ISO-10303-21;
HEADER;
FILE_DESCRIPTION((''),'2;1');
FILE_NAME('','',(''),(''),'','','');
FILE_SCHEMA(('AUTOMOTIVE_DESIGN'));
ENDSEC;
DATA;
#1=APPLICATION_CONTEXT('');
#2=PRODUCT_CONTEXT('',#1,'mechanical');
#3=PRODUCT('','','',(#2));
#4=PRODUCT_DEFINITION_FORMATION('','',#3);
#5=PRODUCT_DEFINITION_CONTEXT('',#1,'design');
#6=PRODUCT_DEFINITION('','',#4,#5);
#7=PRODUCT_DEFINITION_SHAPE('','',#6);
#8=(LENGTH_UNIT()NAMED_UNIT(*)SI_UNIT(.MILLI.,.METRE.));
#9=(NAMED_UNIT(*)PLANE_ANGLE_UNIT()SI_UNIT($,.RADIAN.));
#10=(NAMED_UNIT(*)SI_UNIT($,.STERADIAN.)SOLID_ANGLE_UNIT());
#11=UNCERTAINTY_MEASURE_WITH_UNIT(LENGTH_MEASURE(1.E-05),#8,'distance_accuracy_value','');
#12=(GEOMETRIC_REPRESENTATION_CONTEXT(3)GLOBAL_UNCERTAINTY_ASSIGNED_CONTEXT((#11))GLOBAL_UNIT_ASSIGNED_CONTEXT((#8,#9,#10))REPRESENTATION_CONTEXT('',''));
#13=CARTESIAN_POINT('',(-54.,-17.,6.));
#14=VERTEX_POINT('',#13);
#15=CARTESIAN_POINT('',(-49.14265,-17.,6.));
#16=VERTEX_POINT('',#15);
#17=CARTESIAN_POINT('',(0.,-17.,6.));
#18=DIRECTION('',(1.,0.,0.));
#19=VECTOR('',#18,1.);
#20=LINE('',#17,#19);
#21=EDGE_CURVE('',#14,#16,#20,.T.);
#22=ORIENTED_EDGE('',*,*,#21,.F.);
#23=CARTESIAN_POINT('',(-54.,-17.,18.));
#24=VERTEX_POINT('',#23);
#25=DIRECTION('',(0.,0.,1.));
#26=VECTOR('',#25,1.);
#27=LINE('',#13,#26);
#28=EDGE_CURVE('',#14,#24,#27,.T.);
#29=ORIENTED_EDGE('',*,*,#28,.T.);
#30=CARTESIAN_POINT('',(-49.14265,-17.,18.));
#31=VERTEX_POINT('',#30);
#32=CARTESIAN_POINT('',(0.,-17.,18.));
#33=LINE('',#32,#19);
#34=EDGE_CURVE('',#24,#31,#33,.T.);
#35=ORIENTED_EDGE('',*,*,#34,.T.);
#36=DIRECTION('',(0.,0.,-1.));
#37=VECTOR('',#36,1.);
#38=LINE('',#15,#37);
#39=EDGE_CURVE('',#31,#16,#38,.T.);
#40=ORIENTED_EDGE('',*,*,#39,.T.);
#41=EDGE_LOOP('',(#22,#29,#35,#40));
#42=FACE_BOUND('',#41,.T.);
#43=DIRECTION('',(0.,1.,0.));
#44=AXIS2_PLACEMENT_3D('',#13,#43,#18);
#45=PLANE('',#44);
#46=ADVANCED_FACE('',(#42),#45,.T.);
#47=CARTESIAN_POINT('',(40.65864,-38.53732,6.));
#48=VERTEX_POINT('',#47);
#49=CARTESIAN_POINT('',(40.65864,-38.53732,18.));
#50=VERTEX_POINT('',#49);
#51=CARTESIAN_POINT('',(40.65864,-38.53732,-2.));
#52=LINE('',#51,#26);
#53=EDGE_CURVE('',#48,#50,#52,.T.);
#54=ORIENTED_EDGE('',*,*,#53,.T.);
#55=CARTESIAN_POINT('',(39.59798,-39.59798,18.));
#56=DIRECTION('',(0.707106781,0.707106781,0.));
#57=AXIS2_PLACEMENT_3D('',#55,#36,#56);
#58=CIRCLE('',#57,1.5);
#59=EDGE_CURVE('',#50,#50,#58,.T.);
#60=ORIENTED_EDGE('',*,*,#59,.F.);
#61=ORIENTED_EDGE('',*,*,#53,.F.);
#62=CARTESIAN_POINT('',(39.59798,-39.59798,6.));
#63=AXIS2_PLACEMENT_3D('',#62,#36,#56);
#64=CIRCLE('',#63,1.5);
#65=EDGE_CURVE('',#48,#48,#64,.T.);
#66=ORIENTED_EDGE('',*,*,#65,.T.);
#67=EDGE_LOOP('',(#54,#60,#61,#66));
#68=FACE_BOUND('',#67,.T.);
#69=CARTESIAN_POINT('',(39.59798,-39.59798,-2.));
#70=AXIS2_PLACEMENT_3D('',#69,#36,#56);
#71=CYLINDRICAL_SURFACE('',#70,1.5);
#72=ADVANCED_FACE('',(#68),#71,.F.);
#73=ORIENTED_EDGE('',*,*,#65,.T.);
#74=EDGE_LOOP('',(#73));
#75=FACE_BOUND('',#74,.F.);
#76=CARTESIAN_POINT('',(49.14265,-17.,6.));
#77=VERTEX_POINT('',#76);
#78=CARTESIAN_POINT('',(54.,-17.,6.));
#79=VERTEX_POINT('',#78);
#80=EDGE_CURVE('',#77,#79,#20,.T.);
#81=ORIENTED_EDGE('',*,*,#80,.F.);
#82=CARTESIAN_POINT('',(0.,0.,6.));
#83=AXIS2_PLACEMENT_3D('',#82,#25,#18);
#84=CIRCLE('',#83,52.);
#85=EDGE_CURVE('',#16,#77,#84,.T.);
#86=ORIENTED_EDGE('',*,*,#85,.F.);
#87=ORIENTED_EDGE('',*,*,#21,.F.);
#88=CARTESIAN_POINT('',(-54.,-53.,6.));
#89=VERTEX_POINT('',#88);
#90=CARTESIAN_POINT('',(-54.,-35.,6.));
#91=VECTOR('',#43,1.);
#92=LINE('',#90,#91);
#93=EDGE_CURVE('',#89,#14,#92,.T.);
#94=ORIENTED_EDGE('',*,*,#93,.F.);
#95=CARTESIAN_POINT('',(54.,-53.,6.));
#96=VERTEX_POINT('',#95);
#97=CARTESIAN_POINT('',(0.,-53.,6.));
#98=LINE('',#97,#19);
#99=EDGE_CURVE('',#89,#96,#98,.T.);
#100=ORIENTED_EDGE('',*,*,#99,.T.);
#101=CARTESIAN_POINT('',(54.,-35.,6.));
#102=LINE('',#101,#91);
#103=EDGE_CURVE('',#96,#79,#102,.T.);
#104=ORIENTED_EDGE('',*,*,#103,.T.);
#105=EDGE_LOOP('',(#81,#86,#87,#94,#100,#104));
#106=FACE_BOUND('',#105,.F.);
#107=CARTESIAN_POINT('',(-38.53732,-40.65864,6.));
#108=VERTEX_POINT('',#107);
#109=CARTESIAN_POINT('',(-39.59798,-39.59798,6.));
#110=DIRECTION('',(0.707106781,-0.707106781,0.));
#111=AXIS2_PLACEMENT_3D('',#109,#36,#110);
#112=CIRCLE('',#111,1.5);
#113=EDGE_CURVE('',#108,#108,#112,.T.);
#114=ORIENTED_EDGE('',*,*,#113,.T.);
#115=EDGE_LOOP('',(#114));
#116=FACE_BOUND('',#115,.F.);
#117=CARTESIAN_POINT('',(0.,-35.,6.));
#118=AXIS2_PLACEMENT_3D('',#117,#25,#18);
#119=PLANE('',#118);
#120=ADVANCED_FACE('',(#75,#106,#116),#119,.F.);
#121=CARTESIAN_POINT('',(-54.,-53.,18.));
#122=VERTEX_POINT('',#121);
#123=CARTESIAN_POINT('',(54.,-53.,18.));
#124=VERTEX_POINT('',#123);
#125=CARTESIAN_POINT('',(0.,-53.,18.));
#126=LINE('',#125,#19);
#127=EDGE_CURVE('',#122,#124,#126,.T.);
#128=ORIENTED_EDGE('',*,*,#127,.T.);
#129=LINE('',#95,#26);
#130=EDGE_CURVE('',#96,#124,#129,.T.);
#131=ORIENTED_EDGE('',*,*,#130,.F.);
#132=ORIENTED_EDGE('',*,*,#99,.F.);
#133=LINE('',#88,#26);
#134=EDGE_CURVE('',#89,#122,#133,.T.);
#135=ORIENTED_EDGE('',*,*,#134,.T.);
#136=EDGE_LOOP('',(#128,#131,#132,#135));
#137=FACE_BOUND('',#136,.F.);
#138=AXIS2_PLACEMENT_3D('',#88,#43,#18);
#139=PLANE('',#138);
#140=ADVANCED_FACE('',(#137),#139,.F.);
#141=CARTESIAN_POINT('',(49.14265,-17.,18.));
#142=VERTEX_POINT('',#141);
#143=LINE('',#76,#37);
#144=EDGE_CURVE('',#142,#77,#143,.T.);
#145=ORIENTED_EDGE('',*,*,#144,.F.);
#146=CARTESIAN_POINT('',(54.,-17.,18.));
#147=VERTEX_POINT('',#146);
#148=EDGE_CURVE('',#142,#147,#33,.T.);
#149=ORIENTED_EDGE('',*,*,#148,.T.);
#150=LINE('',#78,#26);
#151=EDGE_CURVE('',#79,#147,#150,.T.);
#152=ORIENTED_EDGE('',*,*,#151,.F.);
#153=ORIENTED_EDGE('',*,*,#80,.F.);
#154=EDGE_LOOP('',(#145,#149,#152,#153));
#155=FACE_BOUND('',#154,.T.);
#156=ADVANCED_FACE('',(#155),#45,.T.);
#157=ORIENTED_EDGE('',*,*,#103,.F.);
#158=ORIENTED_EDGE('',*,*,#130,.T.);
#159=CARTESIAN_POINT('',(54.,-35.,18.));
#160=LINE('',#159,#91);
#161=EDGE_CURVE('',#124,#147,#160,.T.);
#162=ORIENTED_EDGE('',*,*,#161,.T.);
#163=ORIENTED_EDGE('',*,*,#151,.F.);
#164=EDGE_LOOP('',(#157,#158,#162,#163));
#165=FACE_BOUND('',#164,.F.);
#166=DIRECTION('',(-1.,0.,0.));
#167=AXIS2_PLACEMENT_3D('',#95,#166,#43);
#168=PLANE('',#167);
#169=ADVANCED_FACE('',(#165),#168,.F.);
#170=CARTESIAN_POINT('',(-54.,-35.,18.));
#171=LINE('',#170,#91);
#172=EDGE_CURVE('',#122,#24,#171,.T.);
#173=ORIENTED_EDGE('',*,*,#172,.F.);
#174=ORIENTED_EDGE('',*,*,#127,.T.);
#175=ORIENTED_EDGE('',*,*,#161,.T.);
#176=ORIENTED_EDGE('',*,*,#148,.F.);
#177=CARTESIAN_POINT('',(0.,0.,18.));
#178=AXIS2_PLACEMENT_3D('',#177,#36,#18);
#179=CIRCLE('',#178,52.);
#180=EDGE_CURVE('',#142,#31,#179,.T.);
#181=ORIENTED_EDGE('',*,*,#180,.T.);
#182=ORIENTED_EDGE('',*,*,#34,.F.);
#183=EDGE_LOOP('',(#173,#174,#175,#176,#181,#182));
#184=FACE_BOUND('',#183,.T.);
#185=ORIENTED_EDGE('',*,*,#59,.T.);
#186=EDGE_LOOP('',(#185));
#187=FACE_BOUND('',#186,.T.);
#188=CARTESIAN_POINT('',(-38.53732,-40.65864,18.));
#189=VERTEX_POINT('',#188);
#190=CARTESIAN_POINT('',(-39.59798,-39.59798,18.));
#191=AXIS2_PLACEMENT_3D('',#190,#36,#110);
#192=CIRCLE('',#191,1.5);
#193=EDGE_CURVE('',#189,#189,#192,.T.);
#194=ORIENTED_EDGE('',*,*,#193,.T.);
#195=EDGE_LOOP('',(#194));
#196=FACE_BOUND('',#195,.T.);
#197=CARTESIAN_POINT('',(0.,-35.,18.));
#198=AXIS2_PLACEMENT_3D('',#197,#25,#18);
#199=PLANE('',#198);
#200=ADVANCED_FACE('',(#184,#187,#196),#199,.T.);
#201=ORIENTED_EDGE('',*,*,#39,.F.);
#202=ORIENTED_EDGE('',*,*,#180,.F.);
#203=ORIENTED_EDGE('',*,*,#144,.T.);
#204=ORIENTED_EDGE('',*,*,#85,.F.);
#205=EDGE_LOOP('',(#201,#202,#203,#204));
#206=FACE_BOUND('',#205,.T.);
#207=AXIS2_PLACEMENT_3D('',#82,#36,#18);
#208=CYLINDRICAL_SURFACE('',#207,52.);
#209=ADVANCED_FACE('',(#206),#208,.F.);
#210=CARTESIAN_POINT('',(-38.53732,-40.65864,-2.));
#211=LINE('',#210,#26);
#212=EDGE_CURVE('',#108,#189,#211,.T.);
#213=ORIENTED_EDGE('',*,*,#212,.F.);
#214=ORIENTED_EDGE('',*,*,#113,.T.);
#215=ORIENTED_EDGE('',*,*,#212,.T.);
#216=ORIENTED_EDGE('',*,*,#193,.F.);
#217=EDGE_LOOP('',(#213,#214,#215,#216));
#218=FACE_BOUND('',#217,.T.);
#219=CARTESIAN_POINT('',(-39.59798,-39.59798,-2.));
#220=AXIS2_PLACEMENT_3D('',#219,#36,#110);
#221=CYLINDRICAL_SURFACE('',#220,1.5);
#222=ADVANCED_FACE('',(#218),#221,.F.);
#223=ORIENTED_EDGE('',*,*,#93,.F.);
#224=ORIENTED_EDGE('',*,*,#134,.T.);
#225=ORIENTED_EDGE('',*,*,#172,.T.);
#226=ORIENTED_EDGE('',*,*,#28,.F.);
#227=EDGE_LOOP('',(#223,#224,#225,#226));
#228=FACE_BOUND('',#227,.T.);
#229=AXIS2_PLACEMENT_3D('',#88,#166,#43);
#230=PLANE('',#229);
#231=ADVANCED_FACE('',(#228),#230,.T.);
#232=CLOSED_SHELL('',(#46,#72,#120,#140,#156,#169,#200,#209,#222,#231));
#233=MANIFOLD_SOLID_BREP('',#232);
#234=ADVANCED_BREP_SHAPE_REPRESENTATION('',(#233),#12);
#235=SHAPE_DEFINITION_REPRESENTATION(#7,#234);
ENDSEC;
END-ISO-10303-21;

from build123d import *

# Parameters (mm, degrees)
CYLINDER1525_R               = 1.5
CYLINDER1525_DEPTH           = 50
CYLINDER1525_PLACEMENT_ANGLE = 45
CYLINDER1508_R               = 1.5
CYLINDER1508_DEPTH           = 50
CYLINDER1508_PLACEMENT_ANGLE = 135
CYLINDER1511_R               = 1.5
CYLINDER1511_DEPTH           = 50
CYLINDER1521_R               = 1.5
CYLINDER1521_DEPTH           = 50
CYLINDER1521_PLACEMENT_ANGLE = 225
CYLINDER1514_R               = 1.5
CYLINDER1514_DEPTH           = 50
CYLINDER1505_R               = 1.5
CYLINDER1505_DEPTH           = 50
CYLINDER1505_PLACEMENT_ANGLE = 45
CYLINDER1519_R               = 1.5
CYLINDER1519_DEPTH           = 50
CYLINDER1516_R               = 52
CYLINDER1516_DEPTH           = 16
BOX524_W                     = 108
BOX524_H                     = 36
BOX524_DEPTH                 = 12


with BuildPart() as v_lec1525:
    # Cylinder1525 → Cylinder1525 (new body)
    with BuildSketch(Plane.XY):
        Circle(CYLINDER1525_R)
    extrude(amount=CYLINDER1525_DEPTH)


with BuildPart() as v_lec1525_1:
    # Cylinder1525 placement: moved
    add(v_lec1525.part.moved(Location((39.59798, -39.59798, 2))).rotate(Axis((39.59798, -39.59798, 2), (0, 0, 1)), CYLINDER1525_PLACEMENT_ANGLE))


with BuildPart() as v_lec1508:
    # Cylinder1508 → Cylinder1508 (new body)
    with BuildSketch(Plane.XY):
        Circle(CYLINDER1508_R)
    extrude(amount=CYLINDER1508_DEPTH)


with BuildPart() as v_lec1508_1:
    # Cylinder1508 placement: moved
    add(v_lec1508.part.moved(Location((39.59798, 39.59798, 2))).rotate(Axis((39.59798, 39.59798, 2), (0, 0, 1)), CYLINDER1508_PLACEMENT_ANGLE))


with BuildPart() as v_lec1511:
    # Cylinder1511 → Cylinder1511 (new body)
    with BuildSketch(Plane(origin=(0, 56, 2), x_dir=(-1, 0, 0), z_dir=(0, 0, 1))):
        Circle(CYLINDER1511_R)
    extrude(amount=CYLINDER1511_DEPTH)


with BuildPart() as v_lec1521:
    # Cylinder1521 → Cylinder1521 (new body)
    with BuildSketch(Plane.XY):
        Circle(CYLINDER1521_R)
    extrude(amount=CYLINDER1521_DEPTH)


with BuildPart() as v_lec1521_1:
    # Cylinder1521 placement: moved
    add(v_lec1521.part.moved(Location((-39.59798, 39.59798, 2))).rotate(Axis((-39.59798, 39.59798, 2), (0, 0, 1)), CYLINDER1521_PLACEMENT_ANGLE))


with BuildPart() as v_lec1514:
    # Cylinder1514 → Cylinder1514 (new body)
    with BuildSketch(Plane(origin=(-56, 0, 2), x_dir=(0, -1, 0), z_dir=(0, 0, 1))):
        Circle(CYLINDER1514_R)
    extrude(amount=CYLINDER1514_DEPTH)


with BuildPart() as v_lec1505:
    # Cylinder1505 → Cylinder1505 (new body)
    with BuildSketch(Plane.XY):
        Circle(CYLINDER1505_R)
    extrude(amount=CYLINDER1505_DEPTH)


with BuildPart() as v_lec1505_1:
    # Cylinder1505 placement: moved
    add(v_lec1505.part.moved(Location((-39.59798, -39.59798, 2))).rotate(Axis((-39.59798, -39.59798, 2), (0, 0, -1)), CYLINDER1505_PLACEMENT_ANGLE))


with BuildPart() as compound908:
    # Cylinder1519 → Cylinder1519 (new body)
    with BuildSketch(Plane(origin=(0, -56, 2), x_dir=(1, 0, 0), z_dir=(0, 0, 1))):
        Circle(CYLINDER1519_R)
    extrude(amount=CYLINDER1519_DEPTH)

    # Compound908: union Válec1525, Válec1508, Válec1511, Válec1521, Válec1514, Válec1505
    add(v_lec1525_1.part)
    add(v_lec1508_1.part)
    add(v_lec1511.part)
    add(v_lec1521_1.part)
    add(v_lec1514.part)
    add(v_lec1505_1.part)


with BuildPart() as v_lec1516:
    # Cylinder1516 → Cylinder1516 (new body)
    with BuildSketch(Plane.XY.offset(20)):
        Circle(CYLINDER1516_R)
    extrude(amount=CYLINDER1516_DEPTH)


with BuildPart() as cut559:
    # Box524 → Box524 (new body)
    with BuildSketch(Plane(origin=(-54, -53, 20), x_dir=(1, 0, 0), z_dir=(0, 0, 1))):
        with Locations((54, 18)):
            Rectangle(BOX524_W, BOX524_H)
    extrude(amount=BOX524_DEPTH)

    # Cut550: cut Válec1516
    add(v_lec1516.part, mode=Mode.SUBTRACT)


with BuildPart() as cut559_1:
    # Cut550 placement: moved
    add(cut559.part.moved(Location((0, 0, -10))))

    # Cut559: cut Compound908
    add(compound908.part, mode=Mode.SUBTRACT)


with BuildPart() as cut559_2:
    # Cut559 placement: moved
    add(cut559_1.part.moved(Location((0, 0, -4))))


solid = cut559_2.part
